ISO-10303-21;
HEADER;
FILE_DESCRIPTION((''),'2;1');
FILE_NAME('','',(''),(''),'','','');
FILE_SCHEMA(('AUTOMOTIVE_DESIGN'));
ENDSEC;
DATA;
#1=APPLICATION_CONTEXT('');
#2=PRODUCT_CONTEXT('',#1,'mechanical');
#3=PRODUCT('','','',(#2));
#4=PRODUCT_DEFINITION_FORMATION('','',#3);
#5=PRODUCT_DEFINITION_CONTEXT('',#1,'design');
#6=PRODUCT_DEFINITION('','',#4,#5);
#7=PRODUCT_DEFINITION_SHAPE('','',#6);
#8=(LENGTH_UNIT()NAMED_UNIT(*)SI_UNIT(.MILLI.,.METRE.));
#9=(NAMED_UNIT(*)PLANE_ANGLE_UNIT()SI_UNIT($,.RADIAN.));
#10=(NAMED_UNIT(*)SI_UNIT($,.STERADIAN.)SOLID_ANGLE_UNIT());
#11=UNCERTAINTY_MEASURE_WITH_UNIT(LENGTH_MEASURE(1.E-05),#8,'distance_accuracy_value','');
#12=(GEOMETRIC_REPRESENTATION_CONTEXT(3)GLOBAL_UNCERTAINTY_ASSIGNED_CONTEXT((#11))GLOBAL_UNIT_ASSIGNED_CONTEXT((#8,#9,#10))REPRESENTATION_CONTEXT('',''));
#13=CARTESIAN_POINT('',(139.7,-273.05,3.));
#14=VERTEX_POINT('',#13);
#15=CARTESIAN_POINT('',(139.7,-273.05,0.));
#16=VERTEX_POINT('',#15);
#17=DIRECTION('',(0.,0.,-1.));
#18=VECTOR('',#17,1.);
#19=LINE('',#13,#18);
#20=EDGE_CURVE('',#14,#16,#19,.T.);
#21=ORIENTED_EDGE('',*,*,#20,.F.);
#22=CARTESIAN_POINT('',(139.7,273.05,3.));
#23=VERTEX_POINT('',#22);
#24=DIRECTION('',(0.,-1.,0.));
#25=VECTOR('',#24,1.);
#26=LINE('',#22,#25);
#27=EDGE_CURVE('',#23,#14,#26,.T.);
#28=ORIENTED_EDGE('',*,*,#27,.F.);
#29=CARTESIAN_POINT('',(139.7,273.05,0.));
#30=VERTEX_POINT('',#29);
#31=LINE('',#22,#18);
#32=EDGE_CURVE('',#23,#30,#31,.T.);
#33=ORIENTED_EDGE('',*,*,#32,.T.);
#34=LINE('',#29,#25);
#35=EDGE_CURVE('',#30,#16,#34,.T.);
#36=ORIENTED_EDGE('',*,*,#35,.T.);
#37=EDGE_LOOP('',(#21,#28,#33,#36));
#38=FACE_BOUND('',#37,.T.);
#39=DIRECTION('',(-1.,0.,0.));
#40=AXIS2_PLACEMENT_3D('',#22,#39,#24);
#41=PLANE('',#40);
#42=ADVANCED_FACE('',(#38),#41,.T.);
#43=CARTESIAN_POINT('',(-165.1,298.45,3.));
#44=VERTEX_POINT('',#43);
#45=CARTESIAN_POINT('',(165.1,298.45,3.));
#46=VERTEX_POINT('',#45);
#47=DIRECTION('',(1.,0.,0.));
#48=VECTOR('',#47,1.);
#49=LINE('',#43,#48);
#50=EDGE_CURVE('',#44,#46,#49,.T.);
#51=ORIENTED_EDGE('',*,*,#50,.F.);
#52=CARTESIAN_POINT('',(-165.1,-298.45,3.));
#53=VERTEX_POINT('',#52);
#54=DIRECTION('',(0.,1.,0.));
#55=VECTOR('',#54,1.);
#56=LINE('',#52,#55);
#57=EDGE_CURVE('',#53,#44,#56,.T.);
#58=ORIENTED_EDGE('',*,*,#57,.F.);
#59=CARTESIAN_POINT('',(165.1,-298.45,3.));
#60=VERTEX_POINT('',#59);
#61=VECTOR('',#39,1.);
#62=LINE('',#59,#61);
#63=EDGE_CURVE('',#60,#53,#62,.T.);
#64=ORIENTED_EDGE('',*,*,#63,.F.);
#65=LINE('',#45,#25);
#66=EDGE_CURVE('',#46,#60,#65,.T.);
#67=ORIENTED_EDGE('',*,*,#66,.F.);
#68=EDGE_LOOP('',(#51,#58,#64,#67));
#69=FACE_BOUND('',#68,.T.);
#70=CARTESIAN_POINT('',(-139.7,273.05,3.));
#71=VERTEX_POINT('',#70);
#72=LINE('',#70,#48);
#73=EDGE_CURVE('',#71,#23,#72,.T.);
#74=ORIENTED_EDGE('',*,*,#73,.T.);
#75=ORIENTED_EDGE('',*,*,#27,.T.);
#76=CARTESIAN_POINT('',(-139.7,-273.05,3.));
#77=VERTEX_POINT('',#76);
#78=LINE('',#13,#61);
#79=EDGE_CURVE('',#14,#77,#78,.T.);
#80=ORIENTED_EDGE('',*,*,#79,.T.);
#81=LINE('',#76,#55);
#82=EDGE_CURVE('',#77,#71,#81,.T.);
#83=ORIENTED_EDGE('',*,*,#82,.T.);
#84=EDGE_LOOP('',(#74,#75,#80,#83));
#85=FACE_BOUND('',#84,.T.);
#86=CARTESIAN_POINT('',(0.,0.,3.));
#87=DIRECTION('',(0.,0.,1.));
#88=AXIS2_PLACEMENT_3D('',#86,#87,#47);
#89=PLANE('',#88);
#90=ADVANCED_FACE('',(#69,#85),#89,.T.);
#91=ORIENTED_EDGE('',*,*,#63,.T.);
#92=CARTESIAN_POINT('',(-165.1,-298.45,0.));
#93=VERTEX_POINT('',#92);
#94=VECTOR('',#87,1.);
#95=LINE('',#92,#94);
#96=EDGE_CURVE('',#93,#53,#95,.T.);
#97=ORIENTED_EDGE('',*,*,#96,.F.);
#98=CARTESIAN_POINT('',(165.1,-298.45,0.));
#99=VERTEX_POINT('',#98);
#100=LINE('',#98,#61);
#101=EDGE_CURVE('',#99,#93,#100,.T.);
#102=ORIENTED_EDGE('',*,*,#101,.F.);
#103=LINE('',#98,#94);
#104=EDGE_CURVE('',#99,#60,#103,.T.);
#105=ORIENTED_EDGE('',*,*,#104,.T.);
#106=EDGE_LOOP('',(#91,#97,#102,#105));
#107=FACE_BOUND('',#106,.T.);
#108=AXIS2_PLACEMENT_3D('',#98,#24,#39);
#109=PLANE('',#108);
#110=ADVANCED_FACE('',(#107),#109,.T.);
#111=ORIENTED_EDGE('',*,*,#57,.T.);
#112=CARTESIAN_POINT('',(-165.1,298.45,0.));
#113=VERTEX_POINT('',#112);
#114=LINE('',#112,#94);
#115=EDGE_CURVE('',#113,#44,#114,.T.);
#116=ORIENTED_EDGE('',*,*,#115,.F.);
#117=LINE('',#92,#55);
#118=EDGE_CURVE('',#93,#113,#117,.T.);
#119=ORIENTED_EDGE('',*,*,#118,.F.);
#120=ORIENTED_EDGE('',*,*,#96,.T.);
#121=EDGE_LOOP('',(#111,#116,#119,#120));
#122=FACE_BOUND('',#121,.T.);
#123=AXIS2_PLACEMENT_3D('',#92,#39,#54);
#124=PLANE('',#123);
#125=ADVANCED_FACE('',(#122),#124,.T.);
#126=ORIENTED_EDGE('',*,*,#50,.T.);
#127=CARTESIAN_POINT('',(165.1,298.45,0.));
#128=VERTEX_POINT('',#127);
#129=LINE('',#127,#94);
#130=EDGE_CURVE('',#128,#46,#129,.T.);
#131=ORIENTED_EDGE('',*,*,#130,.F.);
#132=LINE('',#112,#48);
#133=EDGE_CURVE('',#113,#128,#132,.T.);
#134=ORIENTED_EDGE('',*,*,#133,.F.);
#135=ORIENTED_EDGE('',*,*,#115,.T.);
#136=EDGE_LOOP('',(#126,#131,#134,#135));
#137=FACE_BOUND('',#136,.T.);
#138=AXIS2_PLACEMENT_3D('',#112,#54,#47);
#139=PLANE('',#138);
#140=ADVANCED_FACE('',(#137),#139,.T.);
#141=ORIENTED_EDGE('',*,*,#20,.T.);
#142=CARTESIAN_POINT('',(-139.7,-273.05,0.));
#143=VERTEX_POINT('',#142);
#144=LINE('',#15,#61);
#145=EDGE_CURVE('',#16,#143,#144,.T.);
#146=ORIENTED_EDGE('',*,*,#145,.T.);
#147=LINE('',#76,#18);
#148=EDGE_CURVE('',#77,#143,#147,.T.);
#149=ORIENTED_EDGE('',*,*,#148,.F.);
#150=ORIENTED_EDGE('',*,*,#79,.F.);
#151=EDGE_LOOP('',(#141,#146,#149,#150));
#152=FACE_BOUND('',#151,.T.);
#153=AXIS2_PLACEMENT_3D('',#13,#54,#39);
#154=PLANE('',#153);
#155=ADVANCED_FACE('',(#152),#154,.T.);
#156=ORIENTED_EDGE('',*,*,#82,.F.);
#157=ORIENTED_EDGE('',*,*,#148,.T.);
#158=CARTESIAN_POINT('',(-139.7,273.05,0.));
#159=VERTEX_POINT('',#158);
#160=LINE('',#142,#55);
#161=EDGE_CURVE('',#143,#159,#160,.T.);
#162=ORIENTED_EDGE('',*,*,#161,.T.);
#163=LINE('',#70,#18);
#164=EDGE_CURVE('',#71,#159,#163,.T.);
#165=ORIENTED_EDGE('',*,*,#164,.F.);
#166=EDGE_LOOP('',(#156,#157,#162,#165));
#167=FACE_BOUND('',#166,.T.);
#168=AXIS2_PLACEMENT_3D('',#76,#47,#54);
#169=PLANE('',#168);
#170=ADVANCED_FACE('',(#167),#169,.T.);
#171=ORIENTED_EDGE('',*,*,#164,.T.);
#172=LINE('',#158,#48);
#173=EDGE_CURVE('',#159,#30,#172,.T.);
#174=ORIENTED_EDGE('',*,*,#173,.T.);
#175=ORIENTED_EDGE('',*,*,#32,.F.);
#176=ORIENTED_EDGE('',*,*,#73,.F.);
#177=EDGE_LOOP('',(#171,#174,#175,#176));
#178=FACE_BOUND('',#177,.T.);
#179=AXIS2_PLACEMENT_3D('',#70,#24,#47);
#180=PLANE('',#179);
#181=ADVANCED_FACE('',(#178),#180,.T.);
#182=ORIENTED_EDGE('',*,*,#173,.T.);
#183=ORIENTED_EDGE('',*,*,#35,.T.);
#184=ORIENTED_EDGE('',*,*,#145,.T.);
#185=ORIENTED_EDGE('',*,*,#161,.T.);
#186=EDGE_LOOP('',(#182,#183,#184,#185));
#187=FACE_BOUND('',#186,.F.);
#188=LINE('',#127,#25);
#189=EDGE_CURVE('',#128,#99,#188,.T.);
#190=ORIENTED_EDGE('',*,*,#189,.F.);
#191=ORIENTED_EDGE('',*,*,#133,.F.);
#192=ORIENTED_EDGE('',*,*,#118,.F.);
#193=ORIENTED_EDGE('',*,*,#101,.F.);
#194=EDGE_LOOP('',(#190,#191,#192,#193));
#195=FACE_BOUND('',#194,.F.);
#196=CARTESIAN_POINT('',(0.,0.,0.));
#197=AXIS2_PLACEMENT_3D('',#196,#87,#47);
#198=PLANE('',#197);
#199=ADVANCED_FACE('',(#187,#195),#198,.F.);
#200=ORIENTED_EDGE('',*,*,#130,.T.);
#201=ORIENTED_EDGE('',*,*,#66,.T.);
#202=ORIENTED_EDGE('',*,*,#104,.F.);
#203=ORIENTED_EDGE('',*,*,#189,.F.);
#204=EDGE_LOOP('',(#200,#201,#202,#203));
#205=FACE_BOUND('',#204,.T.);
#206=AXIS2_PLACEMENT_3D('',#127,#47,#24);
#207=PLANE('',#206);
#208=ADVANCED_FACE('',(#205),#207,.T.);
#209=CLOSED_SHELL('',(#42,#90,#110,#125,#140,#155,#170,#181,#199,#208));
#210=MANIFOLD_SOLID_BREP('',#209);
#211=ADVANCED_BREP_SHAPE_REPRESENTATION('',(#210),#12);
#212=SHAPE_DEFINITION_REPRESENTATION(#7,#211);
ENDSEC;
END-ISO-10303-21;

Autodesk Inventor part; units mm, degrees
ref_plane "YZ Plane" through (0, 0, 0) normal (1, 0, 0) x (0, 1, 0)
ref_plane "XZ Plane" through (0, 0, 0) normal (0, 1, 0) x (-1, 0, 0)
ref_plane "XY Plane" through (0, 0, 0) normal (0, 0, 1) x (1, 0, 0)
sketch "Sketch1" plane through (0, 0, 0) normal (0, 0, 1) x (1, 0, 0)
  line L0 (-165.1, 298.45) -> (165.1, 298.45)
  line L1 (165.1, 298.45) -> (165.1, -298.45)
  line L2 (165.1, -298.45) -> (-165.1, -298.45)
  line L3 (-165.1, -298.45) -> (-165.1, 298.45)
  point P0 (0, 0)
  point P1 (0, 298.45)
  point P2 (-165.1, 0)
  dimension "d0" = 330.2
  dimension "d1" = 596.9
extrude "Extrusion1" add sketch "Sketch1" along normal blind 3
sketch "Sketch2" plane through (0, 0, 3) normal (0, 0, 1) x (1, 0, 0)
  line L0 (165.1, 298.45) -> (165.1, -298.45) projected
  line L1 (-165.1, 298.45) -> (165.1, 298.45) projected
  line L2 (-165.1, -298.45) -> (-165.1, 298.45) projected
  line L3 (165.1, -298.45) -> (-165.1, -298.45) projected
  line L4 (-139.7, 273.05) -> (139.7, 273.05)
  line L5 (139.7, 273.05) -> (139.7, -273.05)
  line L6 (139.7, -273.05) -> (-139.7, -273.05)
  line L7 (-139.7, -273.05) -> (-139.7, 273.05)
  point P0 (0, 0)
  dimension "d4" = 25.4
  dimension "d5" = 25.4
  dimension "d6" = 25.4
  dimension "d7" = 25.4
extrude "Extrusion2" cut sketch "Sketch2" against normal blind 3 contours L4 L5 L6 L7
properties part number "inside lining"
